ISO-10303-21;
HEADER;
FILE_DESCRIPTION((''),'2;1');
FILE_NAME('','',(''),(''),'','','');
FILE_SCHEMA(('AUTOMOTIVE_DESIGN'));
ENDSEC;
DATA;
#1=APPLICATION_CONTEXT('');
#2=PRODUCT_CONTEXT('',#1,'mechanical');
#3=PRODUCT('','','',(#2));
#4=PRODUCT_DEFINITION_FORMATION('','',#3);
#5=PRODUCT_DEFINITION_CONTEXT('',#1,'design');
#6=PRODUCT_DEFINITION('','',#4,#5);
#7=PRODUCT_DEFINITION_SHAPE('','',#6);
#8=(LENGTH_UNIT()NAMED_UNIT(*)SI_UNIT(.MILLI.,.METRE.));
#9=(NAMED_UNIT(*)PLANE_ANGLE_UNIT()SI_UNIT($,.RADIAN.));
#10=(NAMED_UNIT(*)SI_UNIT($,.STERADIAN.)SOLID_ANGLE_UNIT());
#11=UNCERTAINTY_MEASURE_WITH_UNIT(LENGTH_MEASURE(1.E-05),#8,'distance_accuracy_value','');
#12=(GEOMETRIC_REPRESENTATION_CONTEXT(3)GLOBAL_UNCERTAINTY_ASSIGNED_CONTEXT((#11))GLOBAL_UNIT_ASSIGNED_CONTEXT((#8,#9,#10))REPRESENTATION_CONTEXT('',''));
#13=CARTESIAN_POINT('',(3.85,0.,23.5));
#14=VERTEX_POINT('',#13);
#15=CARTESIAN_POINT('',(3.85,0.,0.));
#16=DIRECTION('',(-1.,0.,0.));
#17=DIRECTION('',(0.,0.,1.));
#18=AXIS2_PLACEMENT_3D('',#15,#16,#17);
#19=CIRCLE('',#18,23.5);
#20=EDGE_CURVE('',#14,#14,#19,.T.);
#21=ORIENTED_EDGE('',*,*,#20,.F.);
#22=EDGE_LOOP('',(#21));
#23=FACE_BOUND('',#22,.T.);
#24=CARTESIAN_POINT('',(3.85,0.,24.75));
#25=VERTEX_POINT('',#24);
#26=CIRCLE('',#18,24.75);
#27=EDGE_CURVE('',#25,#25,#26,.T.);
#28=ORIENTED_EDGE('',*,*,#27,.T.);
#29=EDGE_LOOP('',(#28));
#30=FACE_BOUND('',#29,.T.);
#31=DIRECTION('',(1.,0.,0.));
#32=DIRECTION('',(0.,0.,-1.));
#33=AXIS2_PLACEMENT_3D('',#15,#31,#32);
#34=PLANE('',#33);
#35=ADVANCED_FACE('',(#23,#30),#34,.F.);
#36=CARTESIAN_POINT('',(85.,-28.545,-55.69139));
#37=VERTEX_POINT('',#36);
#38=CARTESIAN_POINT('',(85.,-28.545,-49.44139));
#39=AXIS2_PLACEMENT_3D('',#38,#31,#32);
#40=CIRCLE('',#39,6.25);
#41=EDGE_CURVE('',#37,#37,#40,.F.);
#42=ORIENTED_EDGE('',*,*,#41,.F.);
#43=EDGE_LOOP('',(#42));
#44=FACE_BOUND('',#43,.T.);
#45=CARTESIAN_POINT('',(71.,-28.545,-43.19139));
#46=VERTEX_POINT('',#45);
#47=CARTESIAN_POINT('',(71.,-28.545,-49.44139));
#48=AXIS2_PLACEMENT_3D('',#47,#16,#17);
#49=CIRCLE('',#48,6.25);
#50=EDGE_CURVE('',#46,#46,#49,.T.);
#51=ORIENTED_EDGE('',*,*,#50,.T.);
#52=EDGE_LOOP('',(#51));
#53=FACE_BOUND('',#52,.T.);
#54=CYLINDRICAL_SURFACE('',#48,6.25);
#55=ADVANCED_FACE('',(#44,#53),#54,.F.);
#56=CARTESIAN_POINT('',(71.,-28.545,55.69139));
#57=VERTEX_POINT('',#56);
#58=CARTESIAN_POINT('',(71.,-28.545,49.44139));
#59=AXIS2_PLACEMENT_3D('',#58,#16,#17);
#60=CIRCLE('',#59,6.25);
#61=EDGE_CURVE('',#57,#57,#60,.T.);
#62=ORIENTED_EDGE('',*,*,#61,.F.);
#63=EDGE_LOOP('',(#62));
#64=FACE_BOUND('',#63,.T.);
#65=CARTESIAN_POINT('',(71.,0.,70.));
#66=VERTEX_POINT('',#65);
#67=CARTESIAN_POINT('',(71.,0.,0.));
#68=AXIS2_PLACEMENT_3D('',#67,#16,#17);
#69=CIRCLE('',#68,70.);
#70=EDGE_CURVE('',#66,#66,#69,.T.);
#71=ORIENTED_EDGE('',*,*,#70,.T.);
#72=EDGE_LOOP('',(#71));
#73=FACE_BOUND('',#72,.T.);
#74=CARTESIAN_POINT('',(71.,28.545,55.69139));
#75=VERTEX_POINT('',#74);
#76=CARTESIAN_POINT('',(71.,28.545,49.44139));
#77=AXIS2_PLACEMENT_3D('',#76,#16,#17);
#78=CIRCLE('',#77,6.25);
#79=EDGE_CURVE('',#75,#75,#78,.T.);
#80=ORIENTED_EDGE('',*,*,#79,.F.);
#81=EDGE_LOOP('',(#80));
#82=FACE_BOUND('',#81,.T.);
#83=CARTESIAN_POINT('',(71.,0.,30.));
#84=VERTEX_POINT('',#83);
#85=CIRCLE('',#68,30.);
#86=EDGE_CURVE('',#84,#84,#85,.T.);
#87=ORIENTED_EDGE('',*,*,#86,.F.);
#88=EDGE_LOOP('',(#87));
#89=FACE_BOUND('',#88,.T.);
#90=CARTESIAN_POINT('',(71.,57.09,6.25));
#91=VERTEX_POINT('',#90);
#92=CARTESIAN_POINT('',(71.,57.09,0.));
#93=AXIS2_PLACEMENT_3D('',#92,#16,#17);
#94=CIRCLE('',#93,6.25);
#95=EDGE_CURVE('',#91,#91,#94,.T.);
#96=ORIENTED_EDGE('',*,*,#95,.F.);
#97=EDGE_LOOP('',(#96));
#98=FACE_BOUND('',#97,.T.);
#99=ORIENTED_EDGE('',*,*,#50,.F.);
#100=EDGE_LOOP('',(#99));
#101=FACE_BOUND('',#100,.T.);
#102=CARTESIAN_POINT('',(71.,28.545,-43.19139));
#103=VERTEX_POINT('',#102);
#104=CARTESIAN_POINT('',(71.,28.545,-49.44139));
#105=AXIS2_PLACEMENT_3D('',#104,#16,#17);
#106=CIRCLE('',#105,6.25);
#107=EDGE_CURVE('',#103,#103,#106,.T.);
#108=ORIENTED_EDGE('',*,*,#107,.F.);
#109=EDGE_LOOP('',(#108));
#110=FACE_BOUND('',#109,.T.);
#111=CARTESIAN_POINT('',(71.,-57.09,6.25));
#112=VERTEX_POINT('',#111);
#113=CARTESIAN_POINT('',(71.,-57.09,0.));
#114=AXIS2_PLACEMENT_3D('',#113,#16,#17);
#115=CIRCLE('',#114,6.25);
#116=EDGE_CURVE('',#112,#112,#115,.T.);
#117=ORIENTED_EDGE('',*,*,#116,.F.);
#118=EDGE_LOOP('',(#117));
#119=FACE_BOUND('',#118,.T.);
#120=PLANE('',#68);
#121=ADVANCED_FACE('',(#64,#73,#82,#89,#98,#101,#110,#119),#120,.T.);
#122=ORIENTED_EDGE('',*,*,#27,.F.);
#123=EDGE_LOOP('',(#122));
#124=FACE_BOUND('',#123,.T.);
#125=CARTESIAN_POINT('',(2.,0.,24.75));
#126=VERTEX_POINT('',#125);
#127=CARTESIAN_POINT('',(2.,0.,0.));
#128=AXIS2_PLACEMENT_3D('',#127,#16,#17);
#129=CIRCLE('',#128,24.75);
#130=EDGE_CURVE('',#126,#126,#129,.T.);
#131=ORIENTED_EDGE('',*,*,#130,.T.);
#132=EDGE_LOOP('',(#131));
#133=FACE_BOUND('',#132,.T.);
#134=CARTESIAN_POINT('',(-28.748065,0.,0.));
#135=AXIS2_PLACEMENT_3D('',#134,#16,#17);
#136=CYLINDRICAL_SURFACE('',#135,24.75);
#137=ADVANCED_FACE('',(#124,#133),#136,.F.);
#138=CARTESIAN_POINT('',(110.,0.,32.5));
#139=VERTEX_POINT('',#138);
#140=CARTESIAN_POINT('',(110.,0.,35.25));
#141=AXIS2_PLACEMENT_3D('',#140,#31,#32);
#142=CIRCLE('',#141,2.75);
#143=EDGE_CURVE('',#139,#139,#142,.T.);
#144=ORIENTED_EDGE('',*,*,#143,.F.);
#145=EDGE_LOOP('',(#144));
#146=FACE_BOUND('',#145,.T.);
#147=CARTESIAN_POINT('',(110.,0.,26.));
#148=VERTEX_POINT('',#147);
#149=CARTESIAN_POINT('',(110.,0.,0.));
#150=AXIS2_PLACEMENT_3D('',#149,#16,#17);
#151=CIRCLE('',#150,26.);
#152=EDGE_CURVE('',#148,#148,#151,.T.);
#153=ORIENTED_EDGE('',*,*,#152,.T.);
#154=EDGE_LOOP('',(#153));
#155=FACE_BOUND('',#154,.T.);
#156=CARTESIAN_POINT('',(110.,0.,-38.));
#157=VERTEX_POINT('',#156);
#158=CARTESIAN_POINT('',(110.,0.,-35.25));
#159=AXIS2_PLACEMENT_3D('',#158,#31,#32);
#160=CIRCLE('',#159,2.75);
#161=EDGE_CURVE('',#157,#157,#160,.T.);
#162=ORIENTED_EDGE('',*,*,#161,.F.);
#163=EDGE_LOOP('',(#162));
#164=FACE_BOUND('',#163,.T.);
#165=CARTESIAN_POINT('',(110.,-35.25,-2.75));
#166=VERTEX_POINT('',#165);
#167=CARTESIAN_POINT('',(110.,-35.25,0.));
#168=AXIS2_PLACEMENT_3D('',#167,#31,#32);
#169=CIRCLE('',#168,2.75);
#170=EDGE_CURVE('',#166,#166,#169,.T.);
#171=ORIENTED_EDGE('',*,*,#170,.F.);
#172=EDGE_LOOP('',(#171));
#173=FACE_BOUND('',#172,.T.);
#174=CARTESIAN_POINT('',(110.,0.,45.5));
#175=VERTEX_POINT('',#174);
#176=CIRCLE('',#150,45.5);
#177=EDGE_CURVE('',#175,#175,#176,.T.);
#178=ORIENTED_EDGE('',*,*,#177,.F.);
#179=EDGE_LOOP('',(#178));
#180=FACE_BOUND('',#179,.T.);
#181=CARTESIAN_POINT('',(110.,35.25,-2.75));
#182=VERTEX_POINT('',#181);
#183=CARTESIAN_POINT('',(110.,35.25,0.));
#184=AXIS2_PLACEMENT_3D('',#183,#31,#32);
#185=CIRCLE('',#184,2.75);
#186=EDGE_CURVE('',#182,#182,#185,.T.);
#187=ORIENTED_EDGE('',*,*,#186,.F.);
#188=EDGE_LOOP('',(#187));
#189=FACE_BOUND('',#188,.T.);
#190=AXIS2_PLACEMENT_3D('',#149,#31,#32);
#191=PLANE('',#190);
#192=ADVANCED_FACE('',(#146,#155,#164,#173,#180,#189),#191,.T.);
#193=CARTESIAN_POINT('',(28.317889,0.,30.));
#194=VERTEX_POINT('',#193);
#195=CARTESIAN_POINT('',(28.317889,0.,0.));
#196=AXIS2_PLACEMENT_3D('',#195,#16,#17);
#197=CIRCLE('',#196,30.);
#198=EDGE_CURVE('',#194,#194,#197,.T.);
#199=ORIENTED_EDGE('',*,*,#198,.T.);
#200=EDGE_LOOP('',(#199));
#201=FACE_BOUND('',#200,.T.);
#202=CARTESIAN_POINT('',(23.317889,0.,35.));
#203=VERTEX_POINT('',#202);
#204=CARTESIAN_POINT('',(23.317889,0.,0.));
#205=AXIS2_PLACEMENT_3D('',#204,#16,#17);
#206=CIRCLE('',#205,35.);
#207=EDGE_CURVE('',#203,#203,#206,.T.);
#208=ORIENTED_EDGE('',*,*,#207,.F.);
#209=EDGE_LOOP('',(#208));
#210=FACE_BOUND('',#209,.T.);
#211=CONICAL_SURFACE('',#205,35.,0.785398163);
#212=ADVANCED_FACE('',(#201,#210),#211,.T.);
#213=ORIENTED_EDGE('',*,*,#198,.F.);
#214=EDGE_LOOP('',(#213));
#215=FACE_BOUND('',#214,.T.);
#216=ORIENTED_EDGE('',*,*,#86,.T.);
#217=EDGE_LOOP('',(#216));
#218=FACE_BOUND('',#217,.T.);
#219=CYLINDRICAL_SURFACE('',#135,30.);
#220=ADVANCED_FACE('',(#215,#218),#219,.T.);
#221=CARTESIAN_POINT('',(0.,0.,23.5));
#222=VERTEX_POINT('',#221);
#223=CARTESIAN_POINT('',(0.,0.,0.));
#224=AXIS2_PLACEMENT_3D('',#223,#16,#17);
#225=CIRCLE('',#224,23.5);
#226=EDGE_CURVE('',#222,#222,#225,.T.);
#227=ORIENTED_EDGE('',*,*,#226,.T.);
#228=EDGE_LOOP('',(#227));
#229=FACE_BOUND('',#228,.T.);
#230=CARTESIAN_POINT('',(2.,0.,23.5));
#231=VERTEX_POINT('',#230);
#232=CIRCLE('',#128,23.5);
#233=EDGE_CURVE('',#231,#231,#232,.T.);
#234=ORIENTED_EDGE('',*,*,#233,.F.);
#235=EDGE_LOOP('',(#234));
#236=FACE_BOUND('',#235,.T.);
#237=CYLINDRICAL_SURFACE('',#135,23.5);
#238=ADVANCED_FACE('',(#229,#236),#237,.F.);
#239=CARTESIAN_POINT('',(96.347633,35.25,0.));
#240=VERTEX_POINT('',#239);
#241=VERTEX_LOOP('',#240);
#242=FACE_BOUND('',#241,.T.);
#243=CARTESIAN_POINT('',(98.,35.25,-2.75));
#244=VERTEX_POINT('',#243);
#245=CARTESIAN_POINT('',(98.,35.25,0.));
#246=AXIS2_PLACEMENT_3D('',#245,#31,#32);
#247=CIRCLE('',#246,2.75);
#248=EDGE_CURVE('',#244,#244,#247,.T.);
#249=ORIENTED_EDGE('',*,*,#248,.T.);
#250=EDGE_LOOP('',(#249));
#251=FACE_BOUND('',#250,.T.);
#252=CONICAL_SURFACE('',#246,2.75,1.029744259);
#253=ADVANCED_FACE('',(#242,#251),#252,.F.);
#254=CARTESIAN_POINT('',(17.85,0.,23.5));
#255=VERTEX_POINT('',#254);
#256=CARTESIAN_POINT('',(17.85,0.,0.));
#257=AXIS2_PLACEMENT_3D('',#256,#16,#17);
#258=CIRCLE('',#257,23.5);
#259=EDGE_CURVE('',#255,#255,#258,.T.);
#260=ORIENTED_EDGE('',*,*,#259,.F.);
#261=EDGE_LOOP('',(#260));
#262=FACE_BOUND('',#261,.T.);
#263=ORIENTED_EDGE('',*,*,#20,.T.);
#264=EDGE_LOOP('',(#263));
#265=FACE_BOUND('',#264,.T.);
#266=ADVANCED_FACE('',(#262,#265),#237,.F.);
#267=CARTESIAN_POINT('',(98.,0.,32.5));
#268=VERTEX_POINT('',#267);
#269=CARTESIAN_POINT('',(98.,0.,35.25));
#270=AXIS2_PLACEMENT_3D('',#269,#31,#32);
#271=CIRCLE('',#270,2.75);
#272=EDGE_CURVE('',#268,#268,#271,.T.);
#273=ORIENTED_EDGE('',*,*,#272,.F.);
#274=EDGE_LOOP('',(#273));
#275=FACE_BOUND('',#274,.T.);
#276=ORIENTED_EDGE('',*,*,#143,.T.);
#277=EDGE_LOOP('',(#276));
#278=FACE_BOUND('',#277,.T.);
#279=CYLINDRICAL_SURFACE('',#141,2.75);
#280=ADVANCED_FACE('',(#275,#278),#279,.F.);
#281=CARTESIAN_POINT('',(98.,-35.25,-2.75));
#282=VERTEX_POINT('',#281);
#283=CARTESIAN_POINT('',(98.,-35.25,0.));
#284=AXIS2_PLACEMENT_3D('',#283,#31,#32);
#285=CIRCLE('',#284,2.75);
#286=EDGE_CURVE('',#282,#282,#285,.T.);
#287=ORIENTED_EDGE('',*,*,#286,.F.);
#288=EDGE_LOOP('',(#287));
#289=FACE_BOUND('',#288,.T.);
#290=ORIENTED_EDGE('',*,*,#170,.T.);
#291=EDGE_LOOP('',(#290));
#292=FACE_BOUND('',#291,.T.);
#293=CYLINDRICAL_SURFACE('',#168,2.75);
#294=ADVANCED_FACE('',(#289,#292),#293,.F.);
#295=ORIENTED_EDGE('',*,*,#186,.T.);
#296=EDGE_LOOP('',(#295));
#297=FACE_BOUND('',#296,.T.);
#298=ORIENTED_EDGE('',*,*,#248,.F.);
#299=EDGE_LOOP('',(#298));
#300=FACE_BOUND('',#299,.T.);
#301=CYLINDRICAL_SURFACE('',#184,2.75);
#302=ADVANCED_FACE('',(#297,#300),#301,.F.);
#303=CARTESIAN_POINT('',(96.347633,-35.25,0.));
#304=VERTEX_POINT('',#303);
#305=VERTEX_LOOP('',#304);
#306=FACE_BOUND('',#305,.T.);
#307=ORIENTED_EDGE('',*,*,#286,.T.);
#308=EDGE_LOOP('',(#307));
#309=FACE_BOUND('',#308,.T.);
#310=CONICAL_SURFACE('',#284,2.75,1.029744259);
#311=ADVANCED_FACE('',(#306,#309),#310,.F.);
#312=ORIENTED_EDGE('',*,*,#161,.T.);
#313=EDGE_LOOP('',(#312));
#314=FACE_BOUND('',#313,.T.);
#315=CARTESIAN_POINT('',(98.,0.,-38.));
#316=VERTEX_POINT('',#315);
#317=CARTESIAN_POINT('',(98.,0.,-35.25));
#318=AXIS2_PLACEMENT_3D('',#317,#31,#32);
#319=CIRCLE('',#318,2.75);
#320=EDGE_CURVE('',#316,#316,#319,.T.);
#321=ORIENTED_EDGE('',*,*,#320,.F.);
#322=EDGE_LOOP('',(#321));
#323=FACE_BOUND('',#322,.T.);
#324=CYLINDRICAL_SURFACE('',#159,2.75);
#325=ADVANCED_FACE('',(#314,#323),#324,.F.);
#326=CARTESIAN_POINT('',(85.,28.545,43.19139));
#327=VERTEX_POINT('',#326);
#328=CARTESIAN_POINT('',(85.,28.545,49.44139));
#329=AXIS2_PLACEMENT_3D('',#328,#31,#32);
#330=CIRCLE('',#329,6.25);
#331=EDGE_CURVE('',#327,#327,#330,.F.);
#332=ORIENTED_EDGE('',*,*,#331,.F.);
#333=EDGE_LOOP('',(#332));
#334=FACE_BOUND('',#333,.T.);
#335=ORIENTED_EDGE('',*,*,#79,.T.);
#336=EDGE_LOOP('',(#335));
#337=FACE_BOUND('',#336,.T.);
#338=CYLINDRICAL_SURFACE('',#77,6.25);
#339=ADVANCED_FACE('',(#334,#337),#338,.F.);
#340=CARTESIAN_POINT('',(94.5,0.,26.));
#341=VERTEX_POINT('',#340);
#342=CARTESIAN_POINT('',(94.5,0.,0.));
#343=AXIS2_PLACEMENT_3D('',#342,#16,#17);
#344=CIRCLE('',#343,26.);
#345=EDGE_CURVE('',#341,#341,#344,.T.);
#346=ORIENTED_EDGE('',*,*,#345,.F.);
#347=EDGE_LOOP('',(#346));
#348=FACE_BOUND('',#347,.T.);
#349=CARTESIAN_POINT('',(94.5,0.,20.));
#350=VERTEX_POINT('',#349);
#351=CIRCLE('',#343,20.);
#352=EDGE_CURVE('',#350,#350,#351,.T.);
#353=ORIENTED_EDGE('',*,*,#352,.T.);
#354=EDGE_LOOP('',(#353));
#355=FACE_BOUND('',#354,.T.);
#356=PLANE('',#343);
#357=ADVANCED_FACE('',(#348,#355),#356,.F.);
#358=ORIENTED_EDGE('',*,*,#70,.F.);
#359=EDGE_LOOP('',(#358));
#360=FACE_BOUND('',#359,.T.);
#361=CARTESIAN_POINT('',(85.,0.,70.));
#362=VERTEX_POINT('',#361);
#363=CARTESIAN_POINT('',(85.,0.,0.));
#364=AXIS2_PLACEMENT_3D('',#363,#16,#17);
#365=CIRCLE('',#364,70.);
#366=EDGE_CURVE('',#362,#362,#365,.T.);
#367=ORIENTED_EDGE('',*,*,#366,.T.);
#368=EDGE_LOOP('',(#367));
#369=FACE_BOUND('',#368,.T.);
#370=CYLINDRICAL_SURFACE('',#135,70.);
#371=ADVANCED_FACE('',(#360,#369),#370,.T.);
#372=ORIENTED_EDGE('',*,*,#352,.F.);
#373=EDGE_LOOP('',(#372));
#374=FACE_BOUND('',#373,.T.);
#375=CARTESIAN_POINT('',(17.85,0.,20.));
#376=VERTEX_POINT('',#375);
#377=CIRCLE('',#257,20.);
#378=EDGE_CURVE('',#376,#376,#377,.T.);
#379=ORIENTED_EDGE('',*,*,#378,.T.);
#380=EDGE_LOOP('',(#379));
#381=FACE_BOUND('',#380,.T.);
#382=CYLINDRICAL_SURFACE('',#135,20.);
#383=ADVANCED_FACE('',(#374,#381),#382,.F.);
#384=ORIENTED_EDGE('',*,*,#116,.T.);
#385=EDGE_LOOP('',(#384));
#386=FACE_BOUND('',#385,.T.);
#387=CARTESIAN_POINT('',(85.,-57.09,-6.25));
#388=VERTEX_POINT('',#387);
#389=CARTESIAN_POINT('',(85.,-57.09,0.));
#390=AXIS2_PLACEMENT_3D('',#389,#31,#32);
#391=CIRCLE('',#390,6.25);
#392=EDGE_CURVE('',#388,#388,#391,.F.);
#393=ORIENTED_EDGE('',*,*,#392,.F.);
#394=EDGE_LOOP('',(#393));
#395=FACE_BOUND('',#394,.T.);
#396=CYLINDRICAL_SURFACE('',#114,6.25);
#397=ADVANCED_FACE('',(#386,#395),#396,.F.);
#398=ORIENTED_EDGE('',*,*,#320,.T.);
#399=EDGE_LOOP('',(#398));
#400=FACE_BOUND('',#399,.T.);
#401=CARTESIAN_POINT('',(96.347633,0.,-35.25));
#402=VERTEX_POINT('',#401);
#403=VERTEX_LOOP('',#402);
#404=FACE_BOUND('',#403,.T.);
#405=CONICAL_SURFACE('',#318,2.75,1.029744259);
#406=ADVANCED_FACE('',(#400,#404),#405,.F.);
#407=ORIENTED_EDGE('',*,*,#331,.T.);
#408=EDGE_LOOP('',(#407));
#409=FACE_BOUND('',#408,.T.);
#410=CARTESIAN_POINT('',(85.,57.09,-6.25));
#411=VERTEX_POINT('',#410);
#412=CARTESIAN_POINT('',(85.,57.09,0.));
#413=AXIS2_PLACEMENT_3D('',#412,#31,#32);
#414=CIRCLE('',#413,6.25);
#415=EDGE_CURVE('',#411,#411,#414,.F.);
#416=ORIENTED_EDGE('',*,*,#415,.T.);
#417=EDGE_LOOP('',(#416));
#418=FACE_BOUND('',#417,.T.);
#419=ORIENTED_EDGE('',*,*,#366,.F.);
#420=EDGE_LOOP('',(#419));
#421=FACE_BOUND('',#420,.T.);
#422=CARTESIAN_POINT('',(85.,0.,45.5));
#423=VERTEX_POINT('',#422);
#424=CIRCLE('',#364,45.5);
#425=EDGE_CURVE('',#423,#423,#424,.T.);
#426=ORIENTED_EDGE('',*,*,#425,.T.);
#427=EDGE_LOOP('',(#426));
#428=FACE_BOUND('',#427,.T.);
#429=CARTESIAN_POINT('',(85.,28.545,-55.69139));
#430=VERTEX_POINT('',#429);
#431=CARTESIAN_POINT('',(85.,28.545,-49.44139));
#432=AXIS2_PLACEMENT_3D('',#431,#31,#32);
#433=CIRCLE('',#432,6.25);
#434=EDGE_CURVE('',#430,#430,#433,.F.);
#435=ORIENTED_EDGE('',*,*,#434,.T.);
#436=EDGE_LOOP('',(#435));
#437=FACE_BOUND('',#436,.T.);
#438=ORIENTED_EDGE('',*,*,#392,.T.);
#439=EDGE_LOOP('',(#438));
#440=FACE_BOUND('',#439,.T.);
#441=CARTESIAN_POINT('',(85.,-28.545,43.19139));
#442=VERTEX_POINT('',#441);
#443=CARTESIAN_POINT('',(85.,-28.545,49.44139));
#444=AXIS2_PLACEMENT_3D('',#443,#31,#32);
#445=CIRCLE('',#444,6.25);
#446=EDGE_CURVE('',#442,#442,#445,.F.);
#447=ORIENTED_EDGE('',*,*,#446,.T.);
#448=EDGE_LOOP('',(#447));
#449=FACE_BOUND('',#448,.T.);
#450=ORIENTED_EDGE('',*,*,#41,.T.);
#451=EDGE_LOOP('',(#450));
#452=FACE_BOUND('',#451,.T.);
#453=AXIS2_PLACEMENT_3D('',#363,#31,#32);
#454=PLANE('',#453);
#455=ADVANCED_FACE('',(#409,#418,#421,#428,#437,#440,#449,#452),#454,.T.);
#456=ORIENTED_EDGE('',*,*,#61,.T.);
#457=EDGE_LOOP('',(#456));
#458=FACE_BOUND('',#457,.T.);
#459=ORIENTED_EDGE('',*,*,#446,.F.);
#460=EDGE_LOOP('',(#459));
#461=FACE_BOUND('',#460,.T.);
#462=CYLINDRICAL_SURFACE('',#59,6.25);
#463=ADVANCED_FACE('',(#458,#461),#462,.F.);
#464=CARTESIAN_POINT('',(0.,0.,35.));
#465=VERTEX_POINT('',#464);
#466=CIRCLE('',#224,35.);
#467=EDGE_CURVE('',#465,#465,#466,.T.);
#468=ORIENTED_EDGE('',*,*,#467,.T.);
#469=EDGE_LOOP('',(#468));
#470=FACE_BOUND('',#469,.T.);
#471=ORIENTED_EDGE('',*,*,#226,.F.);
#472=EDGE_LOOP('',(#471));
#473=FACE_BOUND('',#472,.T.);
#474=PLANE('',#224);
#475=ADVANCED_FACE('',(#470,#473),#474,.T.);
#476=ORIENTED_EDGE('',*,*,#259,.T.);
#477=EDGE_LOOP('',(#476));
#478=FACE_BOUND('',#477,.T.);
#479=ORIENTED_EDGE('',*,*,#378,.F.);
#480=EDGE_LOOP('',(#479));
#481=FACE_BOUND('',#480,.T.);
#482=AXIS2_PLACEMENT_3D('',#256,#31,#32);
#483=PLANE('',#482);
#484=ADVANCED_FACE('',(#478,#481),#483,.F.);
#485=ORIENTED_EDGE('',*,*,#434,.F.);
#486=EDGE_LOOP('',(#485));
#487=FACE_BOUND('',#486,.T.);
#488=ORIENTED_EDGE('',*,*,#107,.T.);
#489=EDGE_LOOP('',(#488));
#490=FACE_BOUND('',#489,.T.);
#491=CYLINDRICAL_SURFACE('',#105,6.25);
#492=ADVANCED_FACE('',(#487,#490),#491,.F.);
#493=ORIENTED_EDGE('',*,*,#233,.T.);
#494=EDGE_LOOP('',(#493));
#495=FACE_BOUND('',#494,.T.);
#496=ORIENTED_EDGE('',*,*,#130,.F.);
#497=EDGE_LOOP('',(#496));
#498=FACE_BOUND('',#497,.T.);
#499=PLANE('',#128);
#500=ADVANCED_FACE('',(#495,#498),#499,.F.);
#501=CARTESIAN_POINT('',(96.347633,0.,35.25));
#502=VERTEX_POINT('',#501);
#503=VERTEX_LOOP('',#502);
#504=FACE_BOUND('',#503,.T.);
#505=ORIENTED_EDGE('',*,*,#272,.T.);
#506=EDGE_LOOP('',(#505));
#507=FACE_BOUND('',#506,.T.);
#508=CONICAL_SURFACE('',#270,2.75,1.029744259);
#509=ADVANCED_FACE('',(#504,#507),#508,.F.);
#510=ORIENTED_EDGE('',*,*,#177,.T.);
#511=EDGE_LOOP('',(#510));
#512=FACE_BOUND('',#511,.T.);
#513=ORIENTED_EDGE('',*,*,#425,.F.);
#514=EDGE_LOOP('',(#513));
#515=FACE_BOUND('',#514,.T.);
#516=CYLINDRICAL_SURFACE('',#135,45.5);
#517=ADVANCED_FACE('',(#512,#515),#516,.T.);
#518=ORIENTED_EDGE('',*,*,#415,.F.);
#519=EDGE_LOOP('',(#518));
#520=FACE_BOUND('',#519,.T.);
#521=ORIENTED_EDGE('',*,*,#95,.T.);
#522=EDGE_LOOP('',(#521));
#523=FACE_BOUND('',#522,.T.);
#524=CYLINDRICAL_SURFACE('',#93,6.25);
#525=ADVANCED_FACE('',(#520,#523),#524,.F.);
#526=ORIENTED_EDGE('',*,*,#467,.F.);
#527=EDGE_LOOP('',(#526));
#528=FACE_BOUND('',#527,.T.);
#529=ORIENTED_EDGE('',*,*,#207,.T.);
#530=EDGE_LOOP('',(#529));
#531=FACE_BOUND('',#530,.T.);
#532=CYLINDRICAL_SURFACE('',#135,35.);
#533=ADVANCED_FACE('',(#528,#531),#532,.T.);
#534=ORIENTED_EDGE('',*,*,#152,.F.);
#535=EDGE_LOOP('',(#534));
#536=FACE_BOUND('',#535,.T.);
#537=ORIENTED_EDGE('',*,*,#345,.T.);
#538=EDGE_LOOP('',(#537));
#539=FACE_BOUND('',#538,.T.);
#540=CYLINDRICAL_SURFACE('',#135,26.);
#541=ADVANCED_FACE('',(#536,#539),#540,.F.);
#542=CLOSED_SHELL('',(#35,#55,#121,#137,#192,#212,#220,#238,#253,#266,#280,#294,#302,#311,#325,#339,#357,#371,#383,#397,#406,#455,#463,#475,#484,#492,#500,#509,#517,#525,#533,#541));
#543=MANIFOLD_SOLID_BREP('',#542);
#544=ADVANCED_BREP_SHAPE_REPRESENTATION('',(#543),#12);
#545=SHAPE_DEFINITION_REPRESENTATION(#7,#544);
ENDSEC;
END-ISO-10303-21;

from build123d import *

# Parameters (mm, degrees)
FORO_12_5_12_5_1_D          = 12.5
RIPETIZIONECIRCOLARE1_COUNT = 6
RIPETIZIONECIRCOLARE2_COUNT = 4


with BuildPart() as part:
    # Schizzo1 → Rivoluzione1 (revolve)
    with BuildSketch(Plane.XY, mode=Mode.PRIVATE) as rivoluzione1_sk:
        Polygon((0, 35), (0, 23.5), (2, 23.5), (2, 24.75), (3.85, 24.75), (3.85, 23.5), (17.85, 23.5), (17.85, 20), (94.5, 20), (94.5, 26), (110, 26), (110, 45.5), (85, 45.5), (85, 70), (71, 70), (71, 30), (28.317889407, 30), (23.317889407, 35), align=None)
    revolve(rivoluzione1_sk.sketch.rotate(Axis((-28.748065329, 0, 0), (1, 0, 0)), 90), axis=Axis((-28.748065329, 0, 0), (1, 0, 0)))

    # Foro Ø12.5 (12.5)-1 (through all)
    with Locations(Plane.ZY.offset(-71)):
        with Locations((0, 57.09)):
            foro_12_5_12_5_1 = Hole(FORO_12_5_12_5_1_D / 2)

    # RipetizioneCircolare1: Foro Ø12.5 (12.5)-1 ×6 about axis
    ripetizionecircolare1_axis = Axis((0, 0, 0), (1, 0, 0))
    for i in range(1, RIPETIZIONECIRCOLARE1_COUNT):
        add(foro_12_5_12_5_1.rotate(ripetizionecircolare1_axis, i * 360 / RIPETIZIONECIRCOLARE1_COUNT), mode=Mode.SUBTRACT)

    # Schizzo7 → Foro per Vite M5-1 (revolve, cut)
    with BuildSketch(Plane(origin=(110, 35.25, 0), x_dir=(0, 0, -1), z_dir=(0, 1, 0))):
        Polygon((0, 0), (0, 13.652366702), (2.75, 12), (2.75, 0), align=None)
    foro_per_vite_m5_1 = revolve(axis=Axis((116.35, 35.25, 0), (-1, 0, 0)), mode=Mode.SUBTRACT)

    # RipetizioneCircolare2: Foro per Vite M5-1 ×4 about axis
    ripetizionecircolare2_axis = Axis((0, 0, 0), (1, 0, 0))
    for i in range(1, RIPETIZIONECIRCOLARE2_COUNT):
        add(foro_per_vite_m5_1.rotate(ripetizionecircolare2_axis, i * 360 / RIPETIZIONECIRCOLARE2_COUNT), mode=Mode.SUBTRACT)


solid = part.part
